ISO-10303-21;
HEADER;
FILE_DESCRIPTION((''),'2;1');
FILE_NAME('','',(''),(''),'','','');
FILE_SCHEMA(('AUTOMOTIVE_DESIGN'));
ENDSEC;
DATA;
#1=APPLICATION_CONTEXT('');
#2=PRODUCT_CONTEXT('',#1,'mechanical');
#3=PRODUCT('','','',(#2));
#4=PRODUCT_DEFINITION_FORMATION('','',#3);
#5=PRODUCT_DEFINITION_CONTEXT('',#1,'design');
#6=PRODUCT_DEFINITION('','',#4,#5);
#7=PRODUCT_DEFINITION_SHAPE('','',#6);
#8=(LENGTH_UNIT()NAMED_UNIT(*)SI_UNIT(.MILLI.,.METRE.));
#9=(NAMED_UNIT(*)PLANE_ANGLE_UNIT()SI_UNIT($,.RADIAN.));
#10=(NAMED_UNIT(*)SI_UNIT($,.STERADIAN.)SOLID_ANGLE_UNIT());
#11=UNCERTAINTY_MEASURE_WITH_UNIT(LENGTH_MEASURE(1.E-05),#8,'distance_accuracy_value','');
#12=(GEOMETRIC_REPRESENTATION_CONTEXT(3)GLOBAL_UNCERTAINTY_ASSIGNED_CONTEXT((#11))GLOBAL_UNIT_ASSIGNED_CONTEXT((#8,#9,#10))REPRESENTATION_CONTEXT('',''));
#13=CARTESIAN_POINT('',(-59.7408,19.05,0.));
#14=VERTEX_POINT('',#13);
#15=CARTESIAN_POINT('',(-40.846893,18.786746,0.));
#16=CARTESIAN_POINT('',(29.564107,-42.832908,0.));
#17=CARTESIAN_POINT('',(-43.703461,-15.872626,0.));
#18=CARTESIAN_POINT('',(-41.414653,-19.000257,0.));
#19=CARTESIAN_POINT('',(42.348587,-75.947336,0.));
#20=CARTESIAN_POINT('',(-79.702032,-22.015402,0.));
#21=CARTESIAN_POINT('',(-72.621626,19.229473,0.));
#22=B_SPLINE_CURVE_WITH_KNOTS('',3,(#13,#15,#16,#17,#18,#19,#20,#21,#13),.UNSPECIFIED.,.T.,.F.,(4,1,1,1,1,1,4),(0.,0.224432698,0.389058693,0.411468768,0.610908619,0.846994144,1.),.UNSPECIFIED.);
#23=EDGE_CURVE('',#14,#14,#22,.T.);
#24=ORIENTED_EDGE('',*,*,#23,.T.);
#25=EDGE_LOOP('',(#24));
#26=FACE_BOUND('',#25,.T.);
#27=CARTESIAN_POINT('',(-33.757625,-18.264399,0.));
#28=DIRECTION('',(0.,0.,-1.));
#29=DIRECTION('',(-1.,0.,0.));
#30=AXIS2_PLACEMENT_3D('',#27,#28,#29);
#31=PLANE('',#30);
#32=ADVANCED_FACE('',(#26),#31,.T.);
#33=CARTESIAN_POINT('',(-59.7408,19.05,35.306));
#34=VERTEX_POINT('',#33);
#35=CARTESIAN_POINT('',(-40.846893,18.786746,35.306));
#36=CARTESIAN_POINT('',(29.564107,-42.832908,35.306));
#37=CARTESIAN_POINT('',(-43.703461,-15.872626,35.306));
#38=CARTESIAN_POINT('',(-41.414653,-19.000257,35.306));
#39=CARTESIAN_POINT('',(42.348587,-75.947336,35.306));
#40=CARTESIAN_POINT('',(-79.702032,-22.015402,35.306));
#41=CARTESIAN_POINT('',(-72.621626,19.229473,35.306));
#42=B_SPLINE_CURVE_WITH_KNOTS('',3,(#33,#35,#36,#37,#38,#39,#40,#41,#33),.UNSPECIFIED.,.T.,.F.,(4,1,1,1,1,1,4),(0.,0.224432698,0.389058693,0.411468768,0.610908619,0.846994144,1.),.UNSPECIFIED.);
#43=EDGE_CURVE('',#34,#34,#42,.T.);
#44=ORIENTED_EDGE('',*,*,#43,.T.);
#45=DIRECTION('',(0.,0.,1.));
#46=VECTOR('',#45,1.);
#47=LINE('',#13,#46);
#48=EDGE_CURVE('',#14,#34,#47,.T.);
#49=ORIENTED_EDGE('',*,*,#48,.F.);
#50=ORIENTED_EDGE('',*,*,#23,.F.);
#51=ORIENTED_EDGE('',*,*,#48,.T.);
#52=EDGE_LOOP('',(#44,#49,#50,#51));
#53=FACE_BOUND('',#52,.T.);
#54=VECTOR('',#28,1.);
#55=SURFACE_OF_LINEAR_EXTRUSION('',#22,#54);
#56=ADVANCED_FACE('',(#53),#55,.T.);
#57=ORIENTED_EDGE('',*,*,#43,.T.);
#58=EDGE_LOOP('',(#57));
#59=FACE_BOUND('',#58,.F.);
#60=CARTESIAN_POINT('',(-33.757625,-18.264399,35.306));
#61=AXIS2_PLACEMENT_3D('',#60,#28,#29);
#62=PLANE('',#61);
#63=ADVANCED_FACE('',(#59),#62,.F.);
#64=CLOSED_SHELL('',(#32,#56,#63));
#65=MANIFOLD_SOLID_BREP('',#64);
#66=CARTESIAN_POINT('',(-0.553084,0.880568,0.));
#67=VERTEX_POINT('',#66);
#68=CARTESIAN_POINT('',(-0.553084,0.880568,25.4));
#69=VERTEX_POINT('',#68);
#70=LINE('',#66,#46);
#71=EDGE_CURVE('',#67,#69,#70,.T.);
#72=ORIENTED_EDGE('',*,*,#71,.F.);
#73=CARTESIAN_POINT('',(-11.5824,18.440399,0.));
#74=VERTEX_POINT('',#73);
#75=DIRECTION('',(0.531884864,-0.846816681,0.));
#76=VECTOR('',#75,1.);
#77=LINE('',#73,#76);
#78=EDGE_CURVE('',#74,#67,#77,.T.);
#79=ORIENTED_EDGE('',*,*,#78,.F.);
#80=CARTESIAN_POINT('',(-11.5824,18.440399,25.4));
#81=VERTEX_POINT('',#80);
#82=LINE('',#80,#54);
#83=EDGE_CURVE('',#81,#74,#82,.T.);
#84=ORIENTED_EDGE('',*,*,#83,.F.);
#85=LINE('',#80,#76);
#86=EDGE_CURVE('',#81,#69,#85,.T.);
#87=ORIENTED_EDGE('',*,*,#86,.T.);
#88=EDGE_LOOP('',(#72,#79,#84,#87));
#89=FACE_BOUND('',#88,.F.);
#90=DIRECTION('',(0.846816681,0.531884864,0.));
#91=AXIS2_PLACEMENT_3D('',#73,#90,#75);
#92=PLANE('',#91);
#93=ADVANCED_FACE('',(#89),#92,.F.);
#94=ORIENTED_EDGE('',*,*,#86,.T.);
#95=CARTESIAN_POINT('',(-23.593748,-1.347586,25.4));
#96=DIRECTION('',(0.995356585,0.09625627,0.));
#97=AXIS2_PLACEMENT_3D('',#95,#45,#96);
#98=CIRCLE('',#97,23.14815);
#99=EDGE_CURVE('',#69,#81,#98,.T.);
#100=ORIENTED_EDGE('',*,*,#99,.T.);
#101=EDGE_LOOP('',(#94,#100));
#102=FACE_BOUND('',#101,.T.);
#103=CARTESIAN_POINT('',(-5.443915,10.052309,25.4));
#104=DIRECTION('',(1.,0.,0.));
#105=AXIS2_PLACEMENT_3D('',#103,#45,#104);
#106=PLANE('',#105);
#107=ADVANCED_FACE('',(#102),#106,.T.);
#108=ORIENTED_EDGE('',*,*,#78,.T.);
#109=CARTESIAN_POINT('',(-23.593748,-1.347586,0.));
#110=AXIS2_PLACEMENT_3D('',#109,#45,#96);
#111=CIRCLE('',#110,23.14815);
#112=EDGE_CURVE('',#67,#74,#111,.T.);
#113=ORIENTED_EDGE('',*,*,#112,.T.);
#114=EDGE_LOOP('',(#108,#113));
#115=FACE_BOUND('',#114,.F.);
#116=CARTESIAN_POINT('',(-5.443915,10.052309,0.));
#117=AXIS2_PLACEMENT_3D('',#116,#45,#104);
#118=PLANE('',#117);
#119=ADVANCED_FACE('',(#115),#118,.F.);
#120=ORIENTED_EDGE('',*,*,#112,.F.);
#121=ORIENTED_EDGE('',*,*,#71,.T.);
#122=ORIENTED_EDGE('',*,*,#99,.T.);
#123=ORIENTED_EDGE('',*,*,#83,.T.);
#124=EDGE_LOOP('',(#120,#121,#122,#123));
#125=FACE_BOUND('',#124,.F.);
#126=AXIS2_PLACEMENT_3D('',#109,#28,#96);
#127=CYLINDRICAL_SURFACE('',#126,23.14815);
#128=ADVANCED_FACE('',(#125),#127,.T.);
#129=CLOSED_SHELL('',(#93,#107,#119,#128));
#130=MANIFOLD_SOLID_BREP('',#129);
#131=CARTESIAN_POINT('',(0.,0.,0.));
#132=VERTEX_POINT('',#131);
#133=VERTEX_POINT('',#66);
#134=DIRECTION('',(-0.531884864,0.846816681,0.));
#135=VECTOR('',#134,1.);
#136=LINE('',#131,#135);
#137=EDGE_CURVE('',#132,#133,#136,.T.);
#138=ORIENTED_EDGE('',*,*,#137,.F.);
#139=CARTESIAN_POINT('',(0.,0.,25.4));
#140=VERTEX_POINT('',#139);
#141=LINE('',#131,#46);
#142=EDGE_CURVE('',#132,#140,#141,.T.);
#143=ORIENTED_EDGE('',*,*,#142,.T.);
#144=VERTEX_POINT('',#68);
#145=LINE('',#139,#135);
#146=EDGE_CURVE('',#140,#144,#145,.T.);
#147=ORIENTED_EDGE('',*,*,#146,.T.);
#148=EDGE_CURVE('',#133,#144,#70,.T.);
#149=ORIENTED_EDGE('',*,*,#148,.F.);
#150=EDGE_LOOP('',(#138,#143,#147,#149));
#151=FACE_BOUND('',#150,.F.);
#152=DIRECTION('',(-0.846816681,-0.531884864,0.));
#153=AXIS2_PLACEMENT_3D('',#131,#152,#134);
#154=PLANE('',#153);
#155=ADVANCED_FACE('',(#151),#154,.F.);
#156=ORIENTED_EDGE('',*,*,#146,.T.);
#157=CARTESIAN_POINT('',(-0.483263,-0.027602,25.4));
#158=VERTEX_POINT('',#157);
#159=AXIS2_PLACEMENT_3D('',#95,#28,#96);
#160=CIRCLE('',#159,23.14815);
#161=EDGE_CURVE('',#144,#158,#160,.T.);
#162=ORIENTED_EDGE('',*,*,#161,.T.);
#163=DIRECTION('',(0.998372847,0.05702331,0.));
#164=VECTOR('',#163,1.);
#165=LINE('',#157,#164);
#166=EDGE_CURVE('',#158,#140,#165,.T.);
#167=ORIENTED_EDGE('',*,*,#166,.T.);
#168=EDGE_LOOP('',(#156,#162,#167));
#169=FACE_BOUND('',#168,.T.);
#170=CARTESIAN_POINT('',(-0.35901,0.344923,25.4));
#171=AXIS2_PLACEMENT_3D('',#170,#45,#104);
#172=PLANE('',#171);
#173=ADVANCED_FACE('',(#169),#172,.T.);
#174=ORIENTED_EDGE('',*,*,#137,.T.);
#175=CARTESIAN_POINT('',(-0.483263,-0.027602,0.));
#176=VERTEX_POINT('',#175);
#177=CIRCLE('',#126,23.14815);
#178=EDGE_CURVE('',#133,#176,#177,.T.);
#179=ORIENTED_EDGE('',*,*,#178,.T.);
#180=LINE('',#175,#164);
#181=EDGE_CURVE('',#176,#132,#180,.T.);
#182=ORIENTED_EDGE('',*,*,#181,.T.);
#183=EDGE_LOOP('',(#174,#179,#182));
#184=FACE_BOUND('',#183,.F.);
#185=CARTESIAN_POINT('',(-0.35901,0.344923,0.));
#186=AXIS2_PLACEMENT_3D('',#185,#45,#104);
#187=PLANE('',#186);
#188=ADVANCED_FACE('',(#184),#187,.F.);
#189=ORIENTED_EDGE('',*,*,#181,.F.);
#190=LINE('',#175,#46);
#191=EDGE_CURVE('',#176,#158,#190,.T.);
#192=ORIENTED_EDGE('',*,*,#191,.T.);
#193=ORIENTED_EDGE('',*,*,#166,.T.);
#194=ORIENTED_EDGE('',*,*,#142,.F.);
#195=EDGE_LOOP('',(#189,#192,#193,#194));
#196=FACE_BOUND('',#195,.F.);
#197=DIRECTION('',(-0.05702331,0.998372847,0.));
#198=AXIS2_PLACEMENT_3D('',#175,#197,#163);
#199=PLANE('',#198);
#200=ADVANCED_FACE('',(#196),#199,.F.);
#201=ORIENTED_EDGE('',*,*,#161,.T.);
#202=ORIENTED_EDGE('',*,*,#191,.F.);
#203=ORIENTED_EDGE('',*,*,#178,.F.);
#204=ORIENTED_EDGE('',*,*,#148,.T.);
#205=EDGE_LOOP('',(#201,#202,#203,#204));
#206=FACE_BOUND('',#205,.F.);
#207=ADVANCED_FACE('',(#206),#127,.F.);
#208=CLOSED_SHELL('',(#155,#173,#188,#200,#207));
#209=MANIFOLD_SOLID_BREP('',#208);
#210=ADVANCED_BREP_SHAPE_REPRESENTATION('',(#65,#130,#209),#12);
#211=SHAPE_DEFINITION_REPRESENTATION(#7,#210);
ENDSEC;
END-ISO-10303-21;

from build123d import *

# Parameters (mm, degrees)
F1_DEPTH = 25.4
F2_DEPTH = 7.366
F4_DEPTH = 35.306


with BuildPart() as f1:
    # F0 (on Top) → F1 (new body)
    with BuildSketch(Plane.XY):
        with BuildLine():
            ThreePointArc((-0.5530842016, 0.8805682573), (-0.5137063993, 0.4268264893), (-0.4832633012, -0.0276021862))
            Line((-0.4832633012, -0.0276021862), (0, 0))
            Line((0, 0), (-0.5530842016, 0.8805682573))
        make_face()
    extrude(amount=F1_DEPTH)



with BuildPart() as f1b:
    # F0 (on Top) → F1, piece 2 (new body)
    with BuildSketch(Plane.XY):
        with BuildLine():
            Line((-11.5823997185, 18.4403993189), (-0.5530842016, 0.8805682573))
            ThreePointArc((-0.5530842016, 0.8805682573), (-3.9915082342, 10.9645644919), (-11.5823997185, 18.4403993189))
        make_face()
    extrude(amount=F1_DEPTH)


with BuildPart() as f1_1:
    add(f1.part)
    # F2 (add): a face of the model
    f2_faces = [f1b.part.faces().sort_by_distance(p)[0] for p in [
        (-5.2333592766, 10.1845588686, 25.4),
    ]]

    add(f1b.part)  # F2 merges F1b
    extrude(f2_faces, amount=-F2_DEPTH)


with BuildPart() as f4:
    # F3 (on Top) → F4 (new body)
    with BuildSketch(Plane.XY):
        with BuildLine():
            add(Edge.make_bspline(
                [(-59.7408004105, 19.0500002354), (-40.8468928356, 18.7867455323), (29.5641067066, -42.8329080849), (-43.7034609506, -15.8726261872), (-41.4146528628, -19.0002572872), (42.3485867045, -75.9473364432), (-79.7020317646, -22.0154024032), (-72.6216263021, 19.2294727973), (-59.7408004105, 19.0500002354)],
                knots=[0, 0, 0, 0, 0.2244326981, 0.3890586935, 0.4114687684, 0.6109086194, 0.8469941436, 1, 1, 1, 1], degree=3))
        make_face()
    extrude(amount=F4_DEPTH)


solid = Compound([f1_1.part, f4.part])
